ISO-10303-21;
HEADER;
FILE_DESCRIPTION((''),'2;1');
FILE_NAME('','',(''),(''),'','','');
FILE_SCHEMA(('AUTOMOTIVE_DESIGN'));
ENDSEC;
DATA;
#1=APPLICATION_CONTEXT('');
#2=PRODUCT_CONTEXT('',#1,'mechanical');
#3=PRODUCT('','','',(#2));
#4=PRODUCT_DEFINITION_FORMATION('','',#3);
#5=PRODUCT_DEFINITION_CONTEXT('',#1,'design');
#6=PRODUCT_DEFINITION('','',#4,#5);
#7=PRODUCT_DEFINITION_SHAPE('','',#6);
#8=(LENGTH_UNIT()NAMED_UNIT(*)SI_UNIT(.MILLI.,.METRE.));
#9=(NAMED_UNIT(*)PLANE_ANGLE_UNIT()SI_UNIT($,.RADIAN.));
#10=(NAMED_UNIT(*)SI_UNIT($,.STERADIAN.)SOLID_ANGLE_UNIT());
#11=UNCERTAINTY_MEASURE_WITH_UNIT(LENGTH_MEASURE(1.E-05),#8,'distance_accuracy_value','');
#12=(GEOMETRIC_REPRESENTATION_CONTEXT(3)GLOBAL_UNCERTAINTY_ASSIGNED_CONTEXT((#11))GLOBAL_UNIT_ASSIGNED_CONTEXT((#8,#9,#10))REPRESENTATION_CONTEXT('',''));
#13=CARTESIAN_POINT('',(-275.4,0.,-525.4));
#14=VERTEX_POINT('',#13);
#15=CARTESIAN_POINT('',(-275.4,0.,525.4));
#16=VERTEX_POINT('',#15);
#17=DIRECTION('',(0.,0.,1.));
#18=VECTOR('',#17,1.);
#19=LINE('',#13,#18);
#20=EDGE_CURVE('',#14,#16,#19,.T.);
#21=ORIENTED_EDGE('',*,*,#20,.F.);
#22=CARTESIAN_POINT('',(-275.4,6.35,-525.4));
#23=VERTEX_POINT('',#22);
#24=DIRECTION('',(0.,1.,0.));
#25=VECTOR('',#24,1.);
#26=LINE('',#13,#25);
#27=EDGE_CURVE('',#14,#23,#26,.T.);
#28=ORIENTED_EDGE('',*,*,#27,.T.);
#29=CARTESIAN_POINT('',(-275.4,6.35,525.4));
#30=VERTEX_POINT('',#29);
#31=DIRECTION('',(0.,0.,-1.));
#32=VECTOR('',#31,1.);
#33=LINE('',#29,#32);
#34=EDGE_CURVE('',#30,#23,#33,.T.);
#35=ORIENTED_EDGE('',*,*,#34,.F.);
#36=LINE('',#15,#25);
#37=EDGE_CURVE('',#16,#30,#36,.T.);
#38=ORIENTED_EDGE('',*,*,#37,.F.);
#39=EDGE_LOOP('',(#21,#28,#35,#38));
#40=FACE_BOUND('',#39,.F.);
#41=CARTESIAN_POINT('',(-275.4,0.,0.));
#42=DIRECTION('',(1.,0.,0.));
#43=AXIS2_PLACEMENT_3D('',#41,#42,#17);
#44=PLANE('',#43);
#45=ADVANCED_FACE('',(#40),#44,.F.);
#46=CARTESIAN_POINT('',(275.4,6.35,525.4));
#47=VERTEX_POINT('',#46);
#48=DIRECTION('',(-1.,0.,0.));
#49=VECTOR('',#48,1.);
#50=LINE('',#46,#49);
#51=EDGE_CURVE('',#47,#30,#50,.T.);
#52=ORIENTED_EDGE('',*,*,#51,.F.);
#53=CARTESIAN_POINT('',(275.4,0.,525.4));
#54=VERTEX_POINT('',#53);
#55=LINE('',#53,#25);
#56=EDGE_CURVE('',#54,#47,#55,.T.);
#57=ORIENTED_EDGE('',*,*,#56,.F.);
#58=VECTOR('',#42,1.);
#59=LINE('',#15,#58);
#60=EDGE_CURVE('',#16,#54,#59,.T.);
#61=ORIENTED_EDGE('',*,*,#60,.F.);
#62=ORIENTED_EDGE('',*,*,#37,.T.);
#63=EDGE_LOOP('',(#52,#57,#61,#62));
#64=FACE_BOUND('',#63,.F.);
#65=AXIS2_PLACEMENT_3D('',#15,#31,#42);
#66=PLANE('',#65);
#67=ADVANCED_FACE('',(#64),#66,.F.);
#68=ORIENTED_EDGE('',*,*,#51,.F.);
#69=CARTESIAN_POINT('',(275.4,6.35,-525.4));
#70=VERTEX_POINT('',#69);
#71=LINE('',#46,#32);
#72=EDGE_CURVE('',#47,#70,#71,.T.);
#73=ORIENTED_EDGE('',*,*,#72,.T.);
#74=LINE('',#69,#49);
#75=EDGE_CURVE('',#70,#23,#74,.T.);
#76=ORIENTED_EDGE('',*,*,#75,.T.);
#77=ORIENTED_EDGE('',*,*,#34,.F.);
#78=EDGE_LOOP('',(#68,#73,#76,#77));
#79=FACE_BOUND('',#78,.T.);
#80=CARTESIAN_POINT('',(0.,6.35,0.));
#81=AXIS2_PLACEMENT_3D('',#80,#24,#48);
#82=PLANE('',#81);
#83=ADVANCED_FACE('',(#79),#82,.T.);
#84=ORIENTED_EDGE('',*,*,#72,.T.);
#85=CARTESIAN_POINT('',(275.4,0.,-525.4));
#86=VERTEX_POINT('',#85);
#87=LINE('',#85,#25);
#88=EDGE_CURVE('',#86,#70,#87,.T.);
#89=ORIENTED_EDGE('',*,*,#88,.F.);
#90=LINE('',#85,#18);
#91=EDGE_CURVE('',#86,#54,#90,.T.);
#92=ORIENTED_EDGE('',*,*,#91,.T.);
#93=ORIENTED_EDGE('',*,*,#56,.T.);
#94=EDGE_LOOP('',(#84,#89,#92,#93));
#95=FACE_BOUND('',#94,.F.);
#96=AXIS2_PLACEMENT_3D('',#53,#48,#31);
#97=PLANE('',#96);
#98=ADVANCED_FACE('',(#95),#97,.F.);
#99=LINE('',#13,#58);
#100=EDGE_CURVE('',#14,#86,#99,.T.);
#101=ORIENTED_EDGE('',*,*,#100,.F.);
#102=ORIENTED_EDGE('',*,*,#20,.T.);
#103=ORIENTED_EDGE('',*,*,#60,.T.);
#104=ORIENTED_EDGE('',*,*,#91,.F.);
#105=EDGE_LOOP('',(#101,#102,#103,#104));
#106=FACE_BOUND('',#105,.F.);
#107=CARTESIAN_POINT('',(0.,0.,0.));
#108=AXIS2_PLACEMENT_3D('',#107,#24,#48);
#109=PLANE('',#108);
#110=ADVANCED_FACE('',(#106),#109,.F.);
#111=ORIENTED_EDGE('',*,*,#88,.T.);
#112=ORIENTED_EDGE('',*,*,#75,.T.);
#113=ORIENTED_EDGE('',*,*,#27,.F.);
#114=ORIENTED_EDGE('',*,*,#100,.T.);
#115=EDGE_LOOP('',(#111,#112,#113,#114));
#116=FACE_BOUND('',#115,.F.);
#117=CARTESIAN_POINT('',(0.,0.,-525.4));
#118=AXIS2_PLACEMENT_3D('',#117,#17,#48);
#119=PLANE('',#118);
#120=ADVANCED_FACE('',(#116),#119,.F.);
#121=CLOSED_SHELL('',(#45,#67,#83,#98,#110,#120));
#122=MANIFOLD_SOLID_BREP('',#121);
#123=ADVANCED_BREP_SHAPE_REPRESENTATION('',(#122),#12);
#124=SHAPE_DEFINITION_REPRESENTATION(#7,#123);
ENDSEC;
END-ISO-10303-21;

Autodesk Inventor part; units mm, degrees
ref_plane "YZ Plane" through (0, 0, 0) normal (1, 0, 0) x (0, 1, 0)
ref_plane "XZ Plane" through (0, 0, 0) normal (0, 1, 0) x (-1, 0, 0)
ref_plane "XY Plane" through (0, 0, 0) normal (0, 0, 1) x (1, 0, 0)
sketch "Sketch1" plane through (0, 0, 0) normal (0, 1, 0) x (-1, 0, 0)
  line L0 (275.4, 525.4) -> (-275.4, 525.4)
  line L1 (-275.4, 525.4) -> (-275.4, -525.4)
  line L2 (-275.4, -525.4) -> (275.4, -525.4)
  line L3 (275.4, -525.4) -> (275.4, 525.4)
  line L4 (0, -735.56) -> (0, 735.56) projected
  line L5 (-385.56, 0) -> (385.56, 0) projected
  point P0 (0, 0)
  dimension "d0" = 1050.8
  dimension "d1" = 550.8
extrude "Extrusion1" add sketch "Sketch1" along normal blind 6.35
properties part number "TableTop"
